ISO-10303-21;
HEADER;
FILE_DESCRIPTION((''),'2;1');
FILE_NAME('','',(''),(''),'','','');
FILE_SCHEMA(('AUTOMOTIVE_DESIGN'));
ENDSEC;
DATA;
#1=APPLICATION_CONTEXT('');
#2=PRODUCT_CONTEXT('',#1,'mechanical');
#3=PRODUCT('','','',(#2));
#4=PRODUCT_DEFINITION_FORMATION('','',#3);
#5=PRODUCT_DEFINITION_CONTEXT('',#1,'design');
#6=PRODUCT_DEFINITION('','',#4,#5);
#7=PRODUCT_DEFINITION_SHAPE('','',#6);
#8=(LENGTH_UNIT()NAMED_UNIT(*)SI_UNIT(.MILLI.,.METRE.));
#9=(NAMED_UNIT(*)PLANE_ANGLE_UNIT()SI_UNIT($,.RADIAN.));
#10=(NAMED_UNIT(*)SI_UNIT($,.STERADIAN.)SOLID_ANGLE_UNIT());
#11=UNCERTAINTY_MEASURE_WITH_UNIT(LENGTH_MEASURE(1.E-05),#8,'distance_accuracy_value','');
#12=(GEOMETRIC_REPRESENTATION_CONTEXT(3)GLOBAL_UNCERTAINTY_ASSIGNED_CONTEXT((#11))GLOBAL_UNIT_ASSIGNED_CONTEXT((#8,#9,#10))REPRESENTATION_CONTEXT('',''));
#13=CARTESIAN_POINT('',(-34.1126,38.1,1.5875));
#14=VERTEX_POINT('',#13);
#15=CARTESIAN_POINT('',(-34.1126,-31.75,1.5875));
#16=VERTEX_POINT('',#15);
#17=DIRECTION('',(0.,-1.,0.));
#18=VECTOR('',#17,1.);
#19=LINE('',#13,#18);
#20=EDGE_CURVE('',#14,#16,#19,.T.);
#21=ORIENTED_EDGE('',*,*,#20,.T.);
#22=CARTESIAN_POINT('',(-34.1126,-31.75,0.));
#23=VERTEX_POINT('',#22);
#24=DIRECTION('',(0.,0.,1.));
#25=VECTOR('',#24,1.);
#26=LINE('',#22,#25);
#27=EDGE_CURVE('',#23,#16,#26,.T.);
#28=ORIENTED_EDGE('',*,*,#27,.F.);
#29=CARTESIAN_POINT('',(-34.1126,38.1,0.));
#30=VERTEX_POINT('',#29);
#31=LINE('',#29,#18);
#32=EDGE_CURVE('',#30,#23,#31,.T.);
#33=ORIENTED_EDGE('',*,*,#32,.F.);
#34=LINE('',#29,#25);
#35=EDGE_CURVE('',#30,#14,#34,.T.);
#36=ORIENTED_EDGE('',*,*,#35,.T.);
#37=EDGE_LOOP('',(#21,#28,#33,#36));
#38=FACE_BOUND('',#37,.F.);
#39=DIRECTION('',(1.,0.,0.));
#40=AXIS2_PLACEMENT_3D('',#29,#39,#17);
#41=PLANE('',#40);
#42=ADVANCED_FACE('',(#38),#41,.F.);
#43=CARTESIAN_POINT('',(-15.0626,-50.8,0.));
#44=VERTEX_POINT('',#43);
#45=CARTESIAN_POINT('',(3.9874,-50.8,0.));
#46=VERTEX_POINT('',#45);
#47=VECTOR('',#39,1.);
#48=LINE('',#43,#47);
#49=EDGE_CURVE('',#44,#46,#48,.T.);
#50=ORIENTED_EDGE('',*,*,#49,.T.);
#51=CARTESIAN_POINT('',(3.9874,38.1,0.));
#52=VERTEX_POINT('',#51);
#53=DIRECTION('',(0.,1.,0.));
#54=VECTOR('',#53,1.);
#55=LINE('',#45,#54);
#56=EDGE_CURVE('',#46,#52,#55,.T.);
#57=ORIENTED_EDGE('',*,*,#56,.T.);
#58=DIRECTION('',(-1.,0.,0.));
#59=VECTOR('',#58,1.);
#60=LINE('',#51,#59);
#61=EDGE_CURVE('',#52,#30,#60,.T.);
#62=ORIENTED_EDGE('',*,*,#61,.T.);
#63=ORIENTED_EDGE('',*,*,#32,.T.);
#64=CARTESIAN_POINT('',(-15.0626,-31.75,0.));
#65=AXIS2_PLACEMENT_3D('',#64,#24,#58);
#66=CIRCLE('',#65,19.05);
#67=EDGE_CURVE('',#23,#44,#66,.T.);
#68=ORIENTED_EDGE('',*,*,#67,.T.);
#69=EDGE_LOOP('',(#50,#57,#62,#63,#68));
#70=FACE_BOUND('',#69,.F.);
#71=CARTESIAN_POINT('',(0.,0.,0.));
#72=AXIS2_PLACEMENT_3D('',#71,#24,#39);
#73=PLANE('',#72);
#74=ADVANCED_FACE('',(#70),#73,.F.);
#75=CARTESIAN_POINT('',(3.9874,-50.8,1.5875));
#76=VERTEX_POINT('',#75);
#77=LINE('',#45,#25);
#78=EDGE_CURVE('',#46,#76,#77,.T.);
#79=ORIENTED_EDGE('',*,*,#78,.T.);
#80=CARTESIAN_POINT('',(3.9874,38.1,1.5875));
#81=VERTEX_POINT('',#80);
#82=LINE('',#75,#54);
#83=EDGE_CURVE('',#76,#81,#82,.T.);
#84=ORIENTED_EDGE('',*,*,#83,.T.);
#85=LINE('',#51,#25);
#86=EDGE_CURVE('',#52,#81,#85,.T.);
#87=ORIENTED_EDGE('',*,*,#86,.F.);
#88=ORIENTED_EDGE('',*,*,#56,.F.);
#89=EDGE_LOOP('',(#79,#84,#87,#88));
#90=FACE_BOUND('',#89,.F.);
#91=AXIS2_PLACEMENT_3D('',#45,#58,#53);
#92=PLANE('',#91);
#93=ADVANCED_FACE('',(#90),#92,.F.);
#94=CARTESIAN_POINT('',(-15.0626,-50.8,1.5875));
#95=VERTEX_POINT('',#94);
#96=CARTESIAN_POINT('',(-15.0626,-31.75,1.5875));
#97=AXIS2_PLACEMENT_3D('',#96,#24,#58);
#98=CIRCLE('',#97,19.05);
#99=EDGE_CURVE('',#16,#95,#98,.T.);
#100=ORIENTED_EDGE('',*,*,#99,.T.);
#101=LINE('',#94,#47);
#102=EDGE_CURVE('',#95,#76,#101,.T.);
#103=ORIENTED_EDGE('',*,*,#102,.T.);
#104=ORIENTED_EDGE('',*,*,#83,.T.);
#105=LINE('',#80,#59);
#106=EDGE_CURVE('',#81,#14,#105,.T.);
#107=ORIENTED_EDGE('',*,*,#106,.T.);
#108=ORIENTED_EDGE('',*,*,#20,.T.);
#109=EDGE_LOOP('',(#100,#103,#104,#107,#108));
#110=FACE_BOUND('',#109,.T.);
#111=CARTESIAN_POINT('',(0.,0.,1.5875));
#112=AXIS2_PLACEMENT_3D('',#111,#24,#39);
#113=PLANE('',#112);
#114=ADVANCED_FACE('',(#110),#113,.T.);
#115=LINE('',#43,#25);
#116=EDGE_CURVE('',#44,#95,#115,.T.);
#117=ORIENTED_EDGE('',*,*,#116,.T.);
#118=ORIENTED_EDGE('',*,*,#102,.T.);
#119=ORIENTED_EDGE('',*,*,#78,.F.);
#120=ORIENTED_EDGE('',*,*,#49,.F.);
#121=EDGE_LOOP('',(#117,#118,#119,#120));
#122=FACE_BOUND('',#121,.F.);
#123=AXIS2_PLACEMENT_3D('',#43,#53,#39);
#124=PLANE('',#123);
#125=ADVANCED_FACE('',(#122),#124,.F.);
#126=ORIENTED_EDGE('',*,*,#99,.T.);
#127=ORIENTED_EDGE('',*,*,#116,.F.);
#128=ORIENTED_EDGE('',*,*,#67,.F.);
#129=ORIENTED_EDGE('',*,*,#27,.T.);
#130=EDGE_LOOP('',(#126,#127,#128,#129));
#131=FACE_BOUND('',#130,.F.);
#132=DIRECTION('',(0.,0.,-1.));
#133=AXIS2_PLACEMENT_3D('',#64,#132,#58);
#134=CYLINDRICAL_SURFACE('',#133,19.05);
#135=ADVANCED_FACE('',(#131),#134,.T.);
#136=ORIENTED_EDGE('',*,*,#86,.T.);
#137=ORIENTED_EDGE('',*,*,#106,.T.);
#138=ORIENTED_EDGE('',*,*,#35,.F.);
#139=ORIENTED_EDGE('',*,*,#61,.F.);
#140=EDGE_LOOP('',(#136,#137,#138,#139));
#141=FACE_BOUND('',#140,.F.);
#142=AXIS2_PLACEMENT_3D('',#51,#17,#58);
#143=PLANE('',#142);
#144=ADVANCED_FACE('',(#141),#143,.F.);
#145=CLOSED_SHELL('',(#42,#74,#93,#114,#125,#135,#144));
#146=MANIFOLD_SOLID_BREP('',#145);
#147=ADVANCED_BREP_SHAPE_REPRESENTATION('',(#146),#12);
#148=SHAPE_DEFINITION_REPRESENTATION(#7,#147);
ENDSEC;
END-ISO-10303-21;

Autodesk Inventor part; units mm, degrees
ref_plane "YZ Plane" through (0, 0, 0) normal (1, 0, 0) x (0, 1, 0)
ref_plane "XZ Plane" through (0, 0, 0) normal (0, 1, 0) x (-1, 0, 0)
ref_plane "XY Plane" through (0, 0, 0) normal (0, 0, 1) x (1, 0, 0)
sketch "Sketch1" plane through (0, 0, 0) normal (0, 0, 1) x (1, 0, 0)
  line L0 (-5.3154, 38.1) -> (3.9874, 38.1) construction
  line L1 (3.9874, -24.2345) -> (3.9874, 38.1) construction
  line L2 (3.9874, 38.1) -> (-34.1126, 38.1)
  line L3 (-34.1126, 38.1) -> (-34.1126, -31.75)
  line L4 (-15.0626, -50.8) -> (3.9874, -50.8)
  line L5 (3.9874, -50.8) -> (3.9874, 38.1)
  arc A0 (-34.1126, -31.75) -> (-15.0626, -50.8) centre (-15.0626, -31.75) ccw
  point P0 (0, 0)
  point P1 (-34.1126, -50.8)
  dimension "d0" = 38.1
  dimension "d1" = 88.9
  dimension "d2" = 19.05
extrude "Extrusion1" add sketch "Sketch1" along normal blind 1.5875
properties part number "Flywheel base front polycarb"
